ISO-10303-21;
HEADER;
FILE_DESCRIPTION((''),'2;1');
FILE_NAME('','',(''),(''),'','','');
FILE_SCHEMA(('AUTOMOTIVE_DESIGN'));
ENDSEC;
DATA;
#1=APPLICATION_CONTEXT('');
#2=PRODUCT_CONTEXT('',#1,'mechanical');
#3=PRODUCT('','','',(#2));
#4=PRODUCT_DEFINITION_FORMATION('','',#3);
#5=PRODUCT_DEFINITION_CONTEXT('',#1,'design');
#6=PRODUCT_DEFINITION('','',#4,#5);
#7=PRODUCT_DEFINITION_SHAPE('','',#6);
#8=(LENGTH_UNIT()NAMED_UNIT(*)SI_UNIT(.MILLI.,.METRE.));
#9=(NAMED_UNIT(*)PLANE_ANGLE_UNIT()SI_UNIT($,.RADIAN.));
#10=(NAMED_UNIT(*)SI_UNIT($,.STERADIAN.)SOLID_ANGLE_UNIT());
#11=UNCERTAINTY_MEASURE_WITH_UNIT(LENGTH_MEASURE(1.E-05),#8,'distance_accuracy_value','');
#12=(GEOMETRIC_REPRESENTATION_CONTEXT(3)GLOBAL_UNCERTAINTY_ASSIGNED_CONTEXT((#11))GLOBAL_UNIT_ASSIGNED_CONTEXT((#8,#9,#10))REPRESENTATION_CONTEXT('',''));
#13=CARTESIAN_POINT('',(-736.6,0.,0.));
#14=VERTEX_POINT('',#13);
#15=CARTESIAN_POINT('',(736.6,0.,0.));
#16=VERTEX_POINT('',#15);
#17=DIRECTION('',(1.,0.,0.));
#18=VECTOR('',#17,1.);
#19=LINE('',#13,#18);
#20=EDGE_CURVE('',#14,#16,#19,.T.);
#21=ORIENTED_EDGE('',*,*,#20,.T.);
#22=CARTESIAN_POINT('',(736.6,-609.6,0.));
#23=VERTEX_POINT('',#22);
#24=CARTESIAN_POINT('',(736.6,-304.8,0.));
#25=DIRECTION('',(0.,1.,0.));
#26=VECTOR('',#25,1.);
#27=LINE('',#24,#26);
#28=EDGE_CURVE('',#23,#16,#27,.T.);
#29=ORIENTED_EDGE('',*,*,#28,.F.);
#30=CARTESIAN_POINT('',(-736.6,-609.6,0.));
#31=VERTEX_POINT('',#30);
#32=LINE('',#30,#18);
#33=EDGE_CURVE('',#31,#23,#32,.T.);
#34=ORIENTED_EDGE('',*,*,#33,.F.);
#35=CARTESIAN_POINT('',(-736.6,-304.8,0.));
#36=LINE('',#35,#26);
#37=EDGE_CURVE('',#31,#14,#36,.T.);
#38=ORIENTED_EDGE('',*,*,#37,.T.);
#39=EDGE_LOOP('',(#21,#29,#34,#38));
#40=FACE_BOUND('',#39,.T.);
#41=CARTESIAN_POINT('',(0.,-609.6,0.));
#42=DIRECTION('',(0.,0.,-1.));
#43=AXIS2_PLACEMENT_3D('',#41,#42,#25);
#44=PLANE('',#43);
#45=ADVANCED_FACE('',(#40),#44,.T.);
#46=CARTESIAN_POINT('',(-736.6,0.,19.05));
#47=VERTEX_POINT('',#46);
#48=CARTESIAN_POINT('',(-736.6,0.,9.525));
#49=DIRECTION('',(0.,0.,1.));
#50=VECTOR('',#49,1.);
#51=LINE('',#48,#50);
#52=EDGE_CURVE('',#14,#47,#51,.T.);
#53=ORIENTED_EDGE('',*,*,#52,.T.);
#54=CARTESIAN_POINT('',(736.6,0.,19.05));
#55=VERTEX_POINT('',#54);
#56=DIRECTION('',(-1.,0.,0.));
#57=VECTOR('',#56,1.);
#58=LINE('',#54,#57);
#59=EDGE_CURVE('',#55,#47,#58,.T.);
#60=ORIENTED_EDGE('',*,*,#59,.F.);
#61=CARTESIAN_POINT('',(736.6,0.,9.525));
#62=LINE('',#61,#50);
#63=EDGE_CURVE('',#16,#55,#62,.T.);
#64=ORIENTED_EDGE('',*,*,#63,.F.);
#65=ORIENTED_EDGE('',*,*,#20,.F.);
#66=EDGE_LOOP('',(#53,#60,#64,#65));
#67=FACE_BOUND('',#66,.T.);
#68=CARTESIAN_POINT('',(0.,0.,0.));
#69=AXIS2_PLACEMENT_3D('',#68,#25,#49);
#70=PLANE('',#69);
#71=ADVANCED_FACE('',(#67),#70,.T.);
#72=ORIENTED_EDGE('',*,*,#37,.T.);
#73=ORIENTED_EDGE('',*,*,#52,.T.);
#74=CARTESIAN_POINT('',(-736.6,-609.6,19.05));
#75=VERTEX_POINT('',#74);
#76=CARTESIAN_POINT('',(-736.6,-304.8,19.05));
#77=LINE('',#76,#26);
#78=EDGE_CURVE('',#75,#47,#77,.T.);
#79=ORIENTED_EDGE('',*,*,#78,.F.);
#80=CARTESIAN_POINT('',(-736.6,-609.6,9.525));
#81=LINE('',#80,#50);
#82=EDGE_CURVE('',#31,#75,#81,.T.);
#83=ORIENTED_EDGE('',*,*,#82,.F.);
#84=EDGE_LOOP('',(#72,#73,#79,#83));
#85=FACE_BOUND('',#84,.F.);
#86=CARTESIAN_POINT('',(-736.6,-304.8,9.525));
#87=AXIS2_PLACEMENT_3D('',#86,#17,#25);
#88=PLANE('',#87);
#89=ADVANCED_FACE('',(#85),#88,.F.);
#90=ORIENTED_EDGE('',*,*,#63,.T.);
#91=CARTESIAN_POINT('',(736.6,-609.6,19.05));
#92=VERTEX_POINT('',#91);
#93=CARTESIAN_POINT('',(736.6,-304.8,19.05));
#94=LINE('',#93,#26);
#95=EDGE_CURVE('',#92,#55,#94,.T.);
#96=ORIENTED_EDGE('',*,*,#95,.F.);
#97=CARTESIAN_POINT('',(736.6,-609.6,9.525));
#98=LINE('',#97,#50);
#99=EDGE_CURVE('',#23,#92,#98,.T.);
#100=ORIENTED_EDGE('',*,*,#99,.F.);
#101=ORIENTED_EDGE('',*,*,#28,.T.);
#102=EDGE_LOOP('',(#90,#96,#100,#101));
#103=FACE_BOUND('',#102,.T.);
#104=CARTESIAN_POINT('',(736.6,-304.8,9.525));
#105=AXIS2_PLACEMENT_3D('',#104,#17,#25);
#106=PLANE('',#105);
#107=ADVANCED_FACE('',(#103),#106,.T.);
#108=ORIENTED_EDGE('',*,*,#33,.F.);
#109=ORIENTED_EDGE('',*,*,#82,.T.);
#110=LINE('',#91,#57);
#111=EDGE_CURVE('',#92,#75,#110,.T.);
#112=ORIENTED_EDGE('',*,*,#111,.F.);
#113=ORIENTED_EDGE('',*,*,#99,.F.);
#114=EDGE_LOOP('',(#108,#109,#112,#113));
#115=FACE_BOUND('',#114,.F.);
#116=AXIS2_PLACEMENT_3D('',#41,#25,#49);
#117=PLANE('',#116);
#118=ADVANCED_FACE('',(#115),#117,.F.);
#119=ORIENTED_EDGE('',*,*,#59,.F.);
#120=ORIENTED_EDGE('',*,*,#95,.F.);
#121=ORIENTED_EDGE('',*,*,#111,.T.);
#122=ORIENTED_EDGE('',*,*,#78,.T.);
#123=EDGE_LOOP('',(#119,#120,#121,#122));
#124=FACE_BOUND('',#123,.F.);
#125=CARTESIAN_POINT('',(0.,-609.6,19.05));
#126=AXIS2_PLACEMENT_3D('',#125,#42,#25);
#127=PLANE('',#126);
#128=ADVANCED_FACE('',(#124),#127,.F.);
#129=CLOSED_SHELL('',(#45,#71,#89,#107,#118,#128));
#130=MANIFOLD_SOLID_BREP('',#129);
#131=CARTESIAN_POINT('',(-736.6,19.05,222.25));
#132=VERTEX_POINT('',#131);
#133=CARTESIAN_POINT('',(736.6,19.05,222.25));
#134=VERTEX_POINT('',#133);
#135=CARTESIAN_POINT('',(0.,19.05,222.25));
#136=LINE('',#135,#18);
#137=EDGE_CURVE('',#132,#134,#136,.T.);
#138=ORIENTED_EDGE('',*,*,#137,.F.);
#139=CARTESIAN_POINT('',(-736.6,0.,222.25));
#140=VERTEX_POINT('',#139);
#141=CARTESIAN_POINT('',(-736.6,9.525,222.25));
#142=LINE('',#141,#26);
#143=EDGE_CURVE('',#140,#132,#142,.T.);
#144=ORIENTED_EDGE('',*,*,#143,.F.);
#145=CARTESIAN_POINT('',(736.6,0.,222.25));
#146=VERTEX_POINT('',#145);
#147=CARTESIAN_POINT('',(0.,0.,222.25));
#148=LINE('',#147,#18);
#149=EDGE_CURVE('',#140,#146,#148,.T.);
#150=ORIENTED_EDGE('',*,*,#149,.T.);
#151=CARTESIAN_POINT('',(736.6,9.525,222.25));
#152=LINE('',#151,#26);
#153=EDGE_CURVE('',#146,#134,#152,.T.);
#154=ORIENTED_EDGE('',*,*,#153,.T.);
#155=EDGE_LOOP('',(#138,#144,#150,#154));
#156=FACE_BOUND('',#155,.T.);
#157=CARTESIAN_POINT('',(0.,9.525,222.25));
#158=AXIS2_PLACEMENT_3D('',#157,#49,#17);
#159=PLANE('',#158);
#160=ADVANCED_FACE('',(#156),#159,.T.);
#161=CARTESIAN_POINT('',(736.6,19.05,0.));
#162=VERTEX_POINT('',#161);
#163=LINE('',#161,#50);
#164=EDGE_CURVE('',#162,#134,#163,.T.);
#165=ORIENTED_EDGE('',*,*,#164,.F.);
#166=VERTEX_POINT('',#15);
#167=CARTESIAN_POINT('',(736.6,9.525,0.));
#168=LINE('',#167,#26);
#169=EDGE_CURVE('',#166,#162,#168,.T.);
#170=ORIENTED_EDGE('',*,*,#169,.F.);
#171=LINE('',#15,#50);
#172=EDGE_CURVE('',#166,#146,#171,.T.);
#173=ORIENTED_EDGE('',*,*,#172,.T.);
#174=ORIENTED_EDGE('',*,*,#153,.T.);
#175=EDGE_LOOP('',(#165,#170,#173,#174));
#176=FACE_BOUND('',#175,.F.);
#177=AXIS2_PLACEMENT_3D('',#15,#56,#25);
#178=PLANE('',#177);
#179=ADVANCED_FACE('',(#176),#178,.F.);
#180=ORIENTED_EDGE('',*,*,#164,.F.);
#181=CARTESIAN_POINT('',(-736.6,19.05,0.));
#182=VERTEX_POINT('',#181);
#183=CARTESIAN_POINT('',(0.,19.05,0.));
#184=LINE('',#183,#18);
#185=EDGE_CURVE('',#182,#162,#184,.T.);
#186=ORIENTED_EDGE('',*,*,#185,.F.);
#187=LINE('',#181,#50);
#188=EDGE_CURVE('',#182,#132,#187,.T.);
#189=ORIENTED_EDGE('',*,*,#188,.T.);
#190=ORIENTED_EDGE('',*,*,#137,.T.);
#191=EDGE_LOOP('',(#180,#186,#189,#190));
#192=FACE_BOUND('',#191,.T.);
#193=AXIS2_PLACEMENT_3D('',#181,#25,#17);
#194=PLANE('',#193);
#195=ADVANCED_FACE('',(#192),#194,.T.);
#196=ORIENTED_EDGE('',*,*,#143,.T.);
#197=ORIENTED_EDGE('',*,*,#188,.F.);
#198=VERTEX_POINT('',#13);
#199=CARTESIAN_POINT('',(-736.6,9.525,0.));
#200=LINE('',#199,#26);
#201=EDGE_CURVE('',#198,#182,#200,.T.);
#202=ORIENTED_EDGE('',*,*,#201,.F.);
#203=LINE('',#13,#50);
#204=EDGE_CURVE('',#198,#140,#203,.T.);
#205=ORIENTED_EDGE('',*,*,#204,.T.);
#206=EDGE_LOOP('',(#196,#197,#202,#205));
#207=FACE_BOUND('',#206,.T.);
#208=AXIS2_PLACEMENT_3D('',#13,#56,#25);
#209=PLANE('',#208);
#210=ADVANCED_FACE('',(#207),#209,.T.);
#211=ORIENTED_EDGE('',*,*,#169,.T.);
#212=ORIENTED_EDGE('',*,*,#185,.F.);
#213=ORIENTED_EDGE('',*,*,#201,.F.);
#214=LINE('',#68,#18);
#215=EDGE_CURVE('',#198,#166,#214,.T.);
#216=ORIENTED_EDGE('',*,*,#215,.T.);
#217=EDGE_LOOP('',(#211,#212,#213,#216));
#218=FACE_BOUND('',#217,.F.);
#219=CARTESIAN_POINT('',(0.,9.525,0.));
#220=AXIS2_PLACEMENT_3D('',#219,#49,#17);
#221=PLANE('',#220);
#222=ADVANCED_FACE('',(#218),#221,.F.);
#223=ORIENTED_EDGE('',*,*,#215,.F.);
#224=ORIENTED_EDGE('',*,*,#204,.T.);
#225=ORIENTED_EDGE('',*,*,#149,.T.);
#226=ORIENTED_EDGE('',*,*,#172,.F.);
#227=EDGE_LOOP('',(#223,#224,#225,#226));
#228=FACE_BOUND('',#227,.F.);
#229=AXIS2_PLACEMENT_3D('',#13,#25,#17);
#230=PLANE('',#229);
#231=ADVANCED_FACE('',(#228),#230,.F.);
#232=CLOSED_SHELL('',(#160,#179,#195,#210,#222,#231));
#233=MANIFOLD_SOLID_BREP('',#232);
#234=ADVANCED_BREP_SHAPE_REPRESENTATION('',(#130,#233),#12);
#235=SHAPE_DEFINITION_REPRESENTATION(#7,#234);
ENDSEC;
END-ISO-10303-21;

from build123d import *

# Parameters (mm, degrees)
F0_W     = 609.6
F0_H     = 19.05
F1_DEPTH = 736.6
F2_W     = 1473.2
F2_H     = 19.05
F3_DEPTH = 222.25


with BuildPart() as f1:
    # F0 (on Right) → F1 (new body, symmetric)
    with BuildSketch(Plane.YZ):
        with Locations((-304.8, 9.525)):
            Rectangle(F0_W, F0_H)
    extrude(amount=F1_DEPTH, both=True)


with BuildPart() as f3:
    # F2 (on Top) → F3 (new body)
    with BuildSketch(Plane.XY):
        with Locations((0, 9.525)):
            Rectangle(F2_W, F2_H)
    extrude(amount=F3_DEPTH)


solid = Compound([f1.part, f3.part])
